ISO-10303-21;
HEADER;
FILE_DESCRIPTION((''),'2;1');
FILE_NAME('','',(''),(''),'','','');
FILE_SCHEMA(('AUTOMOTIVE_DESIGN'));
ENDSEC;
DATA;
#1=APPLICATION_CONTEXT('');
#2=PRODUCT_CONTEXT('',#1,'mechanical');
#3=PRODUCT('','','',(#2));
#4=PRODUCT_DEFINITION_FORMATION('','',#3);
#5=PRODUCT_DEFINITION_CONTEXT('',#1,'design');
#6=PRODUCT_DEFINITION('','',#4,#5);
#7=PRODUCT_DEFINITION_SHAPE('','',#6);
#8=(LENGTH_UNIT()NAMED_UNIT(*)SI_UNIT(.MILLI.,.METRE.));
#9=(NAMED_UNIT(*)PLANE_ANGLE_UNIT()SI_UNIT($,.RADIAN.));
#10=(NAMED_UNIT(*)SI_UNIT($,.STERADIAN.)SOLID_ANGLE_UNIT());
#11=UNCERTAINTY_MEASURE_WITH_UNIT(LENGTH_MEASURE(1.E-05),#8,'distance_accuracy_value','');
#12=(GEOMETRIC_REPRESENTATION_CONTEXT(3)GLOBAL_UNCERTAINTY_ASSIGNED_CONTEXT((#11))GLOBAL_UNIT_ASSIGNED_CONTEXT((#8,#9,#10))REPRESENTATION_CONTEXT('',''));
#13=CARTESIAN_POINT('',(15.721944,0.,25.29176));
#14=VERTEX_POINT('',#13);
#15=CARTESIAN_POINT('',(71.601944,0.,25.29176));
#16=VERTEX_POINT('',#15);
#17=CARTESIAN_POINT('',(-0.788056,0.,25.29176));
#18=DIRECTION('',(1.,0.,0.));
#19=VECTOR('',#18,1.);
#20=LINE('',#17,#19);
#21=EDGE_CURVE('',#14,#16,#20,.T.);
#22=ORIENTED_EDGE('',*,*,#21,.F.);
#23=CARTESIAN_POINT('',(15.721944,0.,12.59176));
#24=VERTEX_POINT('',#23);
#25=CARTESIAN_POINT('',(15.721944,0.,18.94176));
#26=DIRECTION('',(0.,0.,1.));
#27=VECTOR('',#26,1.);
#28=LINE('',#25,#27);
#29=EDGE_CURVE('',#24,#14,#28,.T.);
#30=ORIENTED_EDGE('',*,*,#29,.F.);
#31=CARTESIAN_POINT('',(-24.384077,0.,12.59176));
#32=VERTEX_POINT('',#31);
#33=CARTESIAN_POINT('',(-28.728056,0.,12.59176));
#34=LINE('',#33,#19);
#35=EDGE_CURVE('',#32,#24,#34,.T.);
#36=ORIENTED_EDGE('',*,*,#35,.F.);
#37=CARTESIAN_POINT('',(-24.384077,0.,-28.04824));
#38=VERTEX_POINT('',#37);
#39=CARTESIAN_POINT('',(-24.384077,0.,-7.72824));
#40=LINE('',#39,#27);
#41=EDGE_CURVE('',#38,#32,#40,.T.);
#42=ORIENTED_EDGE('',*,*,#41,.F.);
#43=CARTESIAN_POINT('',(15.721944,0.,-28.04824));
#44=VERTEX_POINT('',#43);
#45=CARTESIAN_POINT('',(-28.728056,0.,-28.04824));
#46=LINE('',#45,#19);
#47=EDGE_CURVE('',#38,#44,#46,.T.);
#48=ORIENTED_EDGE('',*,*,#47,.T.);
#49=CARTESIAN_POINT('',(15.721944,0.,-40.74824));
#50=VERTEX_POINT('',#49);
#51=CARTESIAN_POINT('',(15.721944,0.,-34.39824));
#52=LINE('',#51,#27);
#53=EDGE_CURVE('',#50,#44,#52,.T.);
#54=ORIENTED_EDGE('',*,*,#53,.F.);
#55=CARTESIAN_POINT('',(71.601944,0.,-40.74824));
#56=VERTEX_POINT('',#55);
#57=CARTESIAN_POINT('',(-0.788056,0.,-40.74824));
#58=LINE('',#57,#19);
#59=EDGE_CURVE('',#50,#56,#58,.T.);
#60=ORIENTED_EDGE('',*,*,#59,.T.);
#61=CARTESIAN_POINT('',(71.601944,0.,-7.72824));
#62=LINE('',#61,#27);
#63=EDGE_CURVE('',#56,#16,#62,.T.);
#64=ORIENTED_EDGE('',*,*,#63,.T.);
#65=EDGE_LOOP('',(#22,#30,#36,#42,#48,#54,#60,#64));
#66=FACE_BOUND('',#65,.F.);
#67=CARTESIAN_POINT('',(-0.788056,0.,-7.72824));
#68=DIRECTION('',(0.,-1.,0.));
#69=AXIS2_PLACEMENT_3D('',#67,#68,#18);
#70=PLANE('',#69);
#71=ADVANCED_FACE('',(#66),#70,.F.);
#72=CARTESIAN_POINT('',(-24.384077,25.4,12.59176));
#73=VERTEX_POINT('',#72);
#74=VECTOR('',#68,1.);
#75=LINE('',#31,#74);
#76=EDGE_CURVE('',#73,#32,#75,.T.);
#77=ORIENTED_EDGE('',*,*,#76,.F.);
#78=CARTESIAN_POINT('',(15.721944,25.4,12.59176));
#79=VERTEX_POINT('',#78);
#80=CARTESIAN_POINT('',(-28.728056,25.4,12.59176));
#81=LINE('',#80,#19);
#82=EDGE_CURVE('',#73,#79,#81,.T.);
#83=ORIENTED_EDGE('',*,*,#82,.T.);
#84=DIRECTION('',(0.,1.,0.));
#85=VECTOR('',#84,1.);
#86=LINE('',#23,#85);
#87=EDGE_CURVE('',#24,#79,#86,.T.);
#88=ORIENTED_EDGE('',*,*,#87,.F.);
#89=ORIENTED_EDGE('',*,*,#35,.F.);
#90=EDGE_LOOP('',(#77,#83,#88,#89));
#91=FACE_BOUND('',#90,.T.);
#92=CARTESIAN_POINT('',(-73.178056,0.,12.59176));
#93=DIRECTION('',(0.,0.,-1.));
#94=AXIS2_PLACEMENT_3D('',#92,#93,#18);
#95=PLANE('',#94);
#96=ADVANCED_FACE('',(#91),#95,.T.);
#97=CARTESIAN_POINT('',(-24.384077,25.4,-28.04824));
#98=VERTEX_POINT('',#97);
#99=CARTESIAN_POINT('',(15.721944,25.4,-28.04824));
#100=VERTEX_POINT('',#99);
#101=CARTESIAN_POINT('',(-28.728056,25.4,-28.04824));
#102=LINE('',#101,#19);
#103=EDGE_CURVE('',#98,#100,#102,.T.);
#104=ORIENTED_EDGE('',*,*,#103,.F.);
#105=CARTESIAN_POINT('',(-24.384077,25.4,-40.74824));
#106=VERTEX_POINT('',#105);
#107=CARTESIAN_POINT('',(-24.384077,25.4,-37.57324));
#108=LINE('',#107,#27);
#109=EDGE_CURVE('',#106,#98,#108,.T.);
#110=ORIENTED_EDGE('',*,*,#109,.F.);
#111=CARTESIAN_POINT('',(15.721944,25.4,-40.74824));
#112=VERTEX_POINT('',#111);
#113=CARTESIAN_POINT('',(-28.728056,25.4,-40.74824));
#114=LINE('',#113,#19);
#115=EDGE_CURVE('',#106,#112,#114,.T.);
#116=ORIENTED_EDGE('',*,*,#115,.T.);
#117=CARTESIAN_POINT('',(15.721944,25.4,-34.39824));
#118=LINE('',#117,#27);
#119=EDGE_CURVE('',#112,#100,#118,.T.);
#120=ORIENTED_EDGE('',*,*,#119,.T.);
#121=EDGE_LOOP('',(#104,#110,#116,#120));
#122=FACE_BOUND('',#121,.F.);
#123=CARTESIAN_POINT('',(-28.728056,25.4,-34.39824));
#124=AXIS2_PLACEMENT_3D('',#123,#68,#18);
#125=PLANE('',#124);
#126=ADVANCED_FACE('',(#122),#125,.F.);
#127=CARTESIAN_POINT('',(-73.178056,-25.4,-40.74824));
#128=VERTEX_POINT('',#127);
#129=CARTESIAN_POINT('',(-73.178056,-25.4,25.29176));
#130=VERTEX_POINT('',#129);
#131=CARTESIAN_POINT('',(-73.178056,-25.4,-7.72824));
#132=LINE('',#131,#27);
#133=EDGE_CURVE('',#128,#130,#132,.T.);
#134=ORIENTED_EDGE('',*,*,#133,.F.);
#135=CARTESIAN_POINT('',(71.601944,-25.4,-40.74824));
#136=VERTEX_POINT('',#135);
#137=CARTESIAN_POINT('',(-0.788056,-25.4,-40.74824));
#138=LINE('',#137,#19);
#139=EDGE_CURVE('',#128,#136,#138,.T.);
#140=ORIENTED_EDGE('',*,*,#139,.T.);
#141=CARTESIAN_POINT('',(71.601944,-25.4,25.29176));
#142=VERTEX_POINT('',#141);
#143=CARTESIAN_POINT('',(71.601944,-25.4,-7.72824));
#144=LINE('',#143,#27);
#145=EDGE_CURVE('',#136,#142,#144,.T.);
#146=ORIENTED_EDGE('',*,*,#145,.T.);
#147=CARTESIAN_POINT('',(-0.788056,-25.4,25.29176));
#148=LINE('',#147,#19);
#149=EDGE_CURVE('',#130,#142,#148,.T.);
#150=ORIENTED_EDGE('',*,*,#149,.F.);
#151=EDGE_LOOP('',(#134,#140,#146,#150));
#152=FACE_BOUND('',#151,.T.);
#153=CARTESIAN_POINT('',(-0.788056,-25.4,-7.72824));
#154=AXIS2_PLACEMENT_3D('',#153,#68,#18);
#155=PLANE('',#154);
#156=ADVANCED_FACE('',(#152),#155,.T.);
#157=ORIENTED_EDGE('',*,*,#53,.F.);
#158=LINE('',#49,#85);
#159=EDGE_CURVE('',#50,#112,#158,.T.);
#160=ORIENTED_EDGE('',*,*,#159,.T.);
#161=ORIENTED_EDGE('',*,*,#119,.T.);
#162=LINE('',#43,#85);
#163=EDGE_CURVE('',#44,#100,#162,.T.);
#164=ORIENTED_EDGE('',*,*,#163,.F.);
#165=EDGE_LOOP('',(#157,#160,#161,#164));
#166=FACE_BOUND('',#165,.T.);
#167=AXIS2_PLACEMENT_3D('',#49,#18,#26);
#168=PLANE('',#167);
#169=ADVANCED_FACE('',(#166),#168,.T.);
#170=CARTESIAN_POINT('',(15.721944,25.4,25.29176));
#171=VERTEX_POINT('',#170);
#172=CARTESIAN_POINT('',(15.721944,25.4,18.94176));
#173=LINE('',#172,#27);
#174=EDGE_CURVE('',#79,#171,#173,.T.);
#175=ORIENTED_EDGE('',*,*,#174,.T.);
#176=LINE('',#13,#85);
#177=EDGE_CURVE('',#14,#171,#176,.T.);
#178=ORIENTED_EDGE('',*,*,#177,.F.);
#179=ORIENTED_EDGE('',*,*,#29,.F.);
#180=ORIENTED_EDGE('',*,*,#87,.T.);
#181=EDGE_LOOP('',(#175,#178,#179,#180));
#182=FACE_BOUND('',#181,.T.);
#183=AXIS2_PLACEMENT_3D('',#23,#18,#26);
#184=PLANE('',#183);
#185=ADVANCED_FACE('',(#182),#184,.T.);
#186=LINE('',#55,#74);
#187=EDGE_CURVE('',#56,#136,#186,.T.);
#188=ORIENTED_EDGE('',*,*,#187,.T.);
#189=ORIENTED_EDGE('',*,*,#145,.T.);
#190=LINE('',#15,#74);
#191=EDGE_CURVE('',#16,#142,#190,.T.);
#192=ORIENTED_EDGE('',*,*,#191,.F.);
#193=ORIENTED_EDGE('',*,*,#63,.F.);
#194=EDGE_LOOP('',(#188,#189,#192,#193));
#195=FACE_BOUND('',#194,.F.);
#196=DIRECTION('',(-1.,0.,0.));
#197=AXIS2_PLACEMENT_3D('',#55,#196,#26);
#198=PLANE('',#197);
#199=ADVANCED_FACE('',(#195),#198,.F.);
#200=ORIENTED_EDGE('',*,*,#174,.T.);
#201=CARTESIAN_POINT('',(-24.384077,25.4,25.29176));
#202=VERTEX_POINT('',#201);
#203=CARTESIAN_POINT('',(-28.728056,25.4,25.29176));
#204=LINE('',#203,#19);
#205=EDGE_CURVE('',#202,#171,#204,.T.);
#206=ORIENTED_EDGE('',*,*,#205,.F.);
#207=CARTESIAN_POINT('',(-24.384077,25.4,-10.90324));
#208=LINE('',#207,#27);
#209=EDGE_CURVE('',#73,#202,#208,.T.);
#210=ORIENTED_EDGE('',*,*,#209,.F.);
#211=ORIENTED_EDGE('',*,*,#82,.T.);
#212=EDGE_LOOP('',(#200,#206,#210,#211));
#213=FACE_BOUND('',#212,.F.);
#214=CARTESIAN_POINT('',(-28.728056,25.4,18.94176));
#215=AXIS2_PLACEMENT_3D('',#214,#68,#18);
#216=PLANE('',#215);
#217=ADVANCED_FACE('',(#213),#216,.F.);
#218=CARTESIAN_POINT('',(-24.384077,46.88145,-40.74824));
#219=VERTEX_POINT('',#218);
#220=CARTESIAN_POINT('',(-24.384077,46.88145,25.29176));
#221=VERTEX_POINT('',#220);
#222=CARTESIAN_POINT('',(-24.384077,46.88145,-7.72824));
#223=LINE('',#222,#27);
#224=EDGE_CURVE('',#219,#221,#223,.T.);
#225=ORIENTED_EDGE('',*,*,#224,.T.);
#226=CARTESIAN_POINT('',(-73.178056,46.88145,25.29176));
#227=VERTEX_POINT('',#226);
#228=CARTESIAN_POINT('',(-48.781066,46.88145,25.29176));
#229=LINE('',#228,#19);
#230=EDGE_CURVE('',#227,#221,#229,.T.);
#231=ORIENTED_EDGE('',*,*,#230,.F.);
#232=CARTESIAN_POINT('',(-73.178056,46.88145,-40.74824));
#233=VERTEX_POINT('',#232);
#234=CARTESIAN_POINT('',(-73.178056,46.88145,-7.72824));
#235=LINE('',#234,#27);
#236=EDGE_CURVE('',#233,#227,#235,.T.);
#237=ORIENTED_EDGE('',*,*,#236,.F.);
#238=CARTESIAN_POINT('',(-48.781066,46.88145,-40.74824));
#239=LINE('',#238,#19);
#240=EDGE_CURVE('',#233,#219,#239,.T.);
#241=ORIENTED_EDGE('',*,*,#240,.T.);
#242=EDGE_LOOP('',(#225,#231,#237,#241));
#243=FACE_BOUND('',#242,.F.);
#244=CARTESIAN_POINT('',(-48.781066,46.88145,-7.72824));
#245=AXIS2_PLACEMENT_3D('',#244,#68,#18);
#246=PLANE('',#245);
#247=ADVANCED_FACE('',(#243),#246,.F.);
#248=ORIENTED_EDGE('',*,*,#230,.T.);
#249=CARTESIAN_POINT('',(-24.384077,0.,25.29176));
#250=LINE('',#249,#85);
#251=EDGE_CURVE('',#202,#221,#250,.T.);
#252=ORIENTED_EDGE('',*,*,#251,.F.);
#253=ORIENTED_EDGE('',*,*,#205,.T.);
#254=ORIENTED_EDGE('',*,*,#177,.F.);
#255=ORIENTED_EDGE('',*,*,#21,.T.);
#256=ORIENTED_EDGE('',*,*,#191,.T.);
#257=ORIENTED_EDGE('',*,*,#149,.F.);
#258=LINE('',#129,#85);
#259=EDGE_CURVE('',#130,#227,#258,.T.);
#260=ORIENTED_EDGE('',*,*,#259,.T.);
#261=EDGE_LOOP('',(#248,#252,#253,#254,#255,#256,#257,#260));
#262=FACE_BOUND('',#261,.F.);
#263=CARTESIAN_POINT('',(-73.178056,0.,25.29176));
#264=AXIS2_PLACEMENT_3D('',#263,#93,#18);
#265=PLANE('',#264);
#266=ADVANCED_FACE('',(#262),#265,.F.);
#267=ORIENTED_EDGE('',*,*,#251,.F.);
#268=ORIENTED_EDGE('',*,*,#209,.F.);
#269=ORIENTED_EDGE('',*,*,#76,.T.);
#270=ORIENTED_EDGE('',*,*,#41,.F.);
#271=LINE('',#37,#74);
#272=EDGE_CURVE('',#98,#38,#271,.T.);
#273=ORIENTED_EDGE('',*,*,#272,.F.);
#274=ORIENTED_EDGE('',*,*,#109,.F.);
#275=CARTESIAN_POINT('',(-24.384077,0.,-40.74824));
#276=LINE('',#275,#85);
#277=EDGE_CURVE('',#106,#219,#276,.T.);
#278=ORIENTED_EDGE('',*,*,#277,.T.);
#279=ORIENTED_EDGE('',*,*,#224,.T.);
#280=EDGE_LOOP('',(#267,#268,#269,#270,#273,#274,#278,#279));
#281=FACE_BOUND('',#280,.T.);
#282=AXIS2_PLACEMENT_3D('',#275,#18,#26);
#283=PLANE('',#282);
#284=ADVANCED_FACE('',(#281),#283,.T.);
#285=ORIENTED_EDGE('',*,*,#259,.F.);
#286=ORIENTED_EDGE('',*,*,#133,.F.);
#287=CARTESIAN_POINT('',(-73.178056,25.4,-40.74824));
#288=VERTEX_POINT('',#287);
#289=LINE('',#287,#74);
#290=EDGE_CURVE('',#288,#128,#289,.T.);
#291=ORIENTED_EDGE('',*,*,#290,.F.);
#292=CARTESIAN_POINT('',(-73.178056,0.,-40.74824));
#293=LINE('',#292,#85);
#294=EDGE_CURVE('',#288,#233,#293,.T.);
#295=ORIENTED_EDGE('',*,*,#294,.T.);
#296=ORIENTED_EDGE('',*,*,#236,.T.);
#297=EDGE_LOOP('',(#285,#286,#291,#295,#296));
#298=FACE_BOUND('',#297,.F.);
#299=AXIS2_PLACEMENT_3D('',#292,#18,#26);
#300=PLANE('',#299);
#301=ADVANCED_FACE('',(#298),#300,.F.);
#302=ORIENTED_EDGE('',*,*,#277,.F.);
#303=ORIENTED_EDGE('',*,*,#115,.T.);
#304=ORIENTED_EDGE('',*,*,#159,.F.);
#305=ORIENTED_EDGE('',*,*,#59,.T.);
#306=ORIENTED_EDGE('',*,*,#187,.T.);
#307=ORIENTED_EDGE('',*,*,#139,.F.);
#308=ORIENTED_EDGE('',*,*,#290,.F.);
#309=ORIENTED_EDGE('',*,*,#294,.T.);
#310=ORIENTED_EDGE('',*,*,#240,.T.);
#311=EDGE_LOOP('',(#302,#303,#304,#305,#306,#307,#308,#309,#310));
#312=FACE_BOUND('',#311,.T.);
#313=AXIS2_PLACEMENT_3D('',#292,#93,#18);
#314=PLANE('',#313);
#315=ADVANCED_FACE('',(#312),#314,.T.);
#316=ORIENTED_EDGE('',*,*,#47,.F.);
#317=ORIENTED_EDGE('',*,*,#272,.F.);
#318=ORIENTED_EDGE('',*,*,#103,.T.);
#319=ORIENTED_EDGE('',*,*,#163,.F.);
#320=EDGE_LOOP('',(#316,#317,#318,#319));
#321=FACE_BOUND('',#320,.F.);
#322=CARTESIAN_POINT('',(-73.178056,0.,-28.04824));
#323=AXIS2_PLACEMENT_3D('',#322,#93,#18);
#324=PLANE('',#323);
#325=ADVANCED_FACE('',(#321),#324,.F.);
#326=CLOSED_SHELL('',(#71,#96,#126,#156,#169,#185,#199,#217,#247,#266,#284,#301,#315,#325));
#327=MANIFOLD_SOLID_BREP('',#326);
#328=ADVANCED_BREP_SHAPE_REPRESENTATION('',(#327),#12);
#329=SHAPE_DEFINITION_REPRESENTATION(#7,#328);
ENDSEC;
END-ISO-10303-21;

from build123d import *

# Parameters (mm, degrees)
F0_W     = 144.78
F0_H     = 66.04
F1_DEPTH = 25.4
F2_W     = 88.9
F2_H     = 12.7
F3_DEPTH = 25.4
F4_W     = 48.7939789891
F4_H     = 66.04
F5_DEPTH = 46.88145


with BuildPart() as f1:
    # F0 (on Front) → F1 (new body)
    with BuildSketch(Plane.XZ):
        with Locations((-0.7880558757, -7.7282395214)):
            Rectangle(F0_W, F0_H)
    extrude(amount=F1_DEPTH)

    # F2 (on Front) → F3 (join)
    with BuildSketch(Plane.XZ):
        with Locations((-28.7280558757, -34.3982395214)):
            Rectangle(F2_W, F2_H)
        with Locations((-28.7280558757, 18.9417604786)):
            Rectangle(F2_W, F2_H)
    extrude(amount=-F3_DEPTH)

    # F4 (on Front) → F5 (join)
    with BuildSketch(Plane.XZ):
        with Locations((-48.7810663811, -7.7282395214)):
            Rectangle(F4_W, F4_H)
    extrude(amount=-F5_DEPTH)


solid = f1.part
